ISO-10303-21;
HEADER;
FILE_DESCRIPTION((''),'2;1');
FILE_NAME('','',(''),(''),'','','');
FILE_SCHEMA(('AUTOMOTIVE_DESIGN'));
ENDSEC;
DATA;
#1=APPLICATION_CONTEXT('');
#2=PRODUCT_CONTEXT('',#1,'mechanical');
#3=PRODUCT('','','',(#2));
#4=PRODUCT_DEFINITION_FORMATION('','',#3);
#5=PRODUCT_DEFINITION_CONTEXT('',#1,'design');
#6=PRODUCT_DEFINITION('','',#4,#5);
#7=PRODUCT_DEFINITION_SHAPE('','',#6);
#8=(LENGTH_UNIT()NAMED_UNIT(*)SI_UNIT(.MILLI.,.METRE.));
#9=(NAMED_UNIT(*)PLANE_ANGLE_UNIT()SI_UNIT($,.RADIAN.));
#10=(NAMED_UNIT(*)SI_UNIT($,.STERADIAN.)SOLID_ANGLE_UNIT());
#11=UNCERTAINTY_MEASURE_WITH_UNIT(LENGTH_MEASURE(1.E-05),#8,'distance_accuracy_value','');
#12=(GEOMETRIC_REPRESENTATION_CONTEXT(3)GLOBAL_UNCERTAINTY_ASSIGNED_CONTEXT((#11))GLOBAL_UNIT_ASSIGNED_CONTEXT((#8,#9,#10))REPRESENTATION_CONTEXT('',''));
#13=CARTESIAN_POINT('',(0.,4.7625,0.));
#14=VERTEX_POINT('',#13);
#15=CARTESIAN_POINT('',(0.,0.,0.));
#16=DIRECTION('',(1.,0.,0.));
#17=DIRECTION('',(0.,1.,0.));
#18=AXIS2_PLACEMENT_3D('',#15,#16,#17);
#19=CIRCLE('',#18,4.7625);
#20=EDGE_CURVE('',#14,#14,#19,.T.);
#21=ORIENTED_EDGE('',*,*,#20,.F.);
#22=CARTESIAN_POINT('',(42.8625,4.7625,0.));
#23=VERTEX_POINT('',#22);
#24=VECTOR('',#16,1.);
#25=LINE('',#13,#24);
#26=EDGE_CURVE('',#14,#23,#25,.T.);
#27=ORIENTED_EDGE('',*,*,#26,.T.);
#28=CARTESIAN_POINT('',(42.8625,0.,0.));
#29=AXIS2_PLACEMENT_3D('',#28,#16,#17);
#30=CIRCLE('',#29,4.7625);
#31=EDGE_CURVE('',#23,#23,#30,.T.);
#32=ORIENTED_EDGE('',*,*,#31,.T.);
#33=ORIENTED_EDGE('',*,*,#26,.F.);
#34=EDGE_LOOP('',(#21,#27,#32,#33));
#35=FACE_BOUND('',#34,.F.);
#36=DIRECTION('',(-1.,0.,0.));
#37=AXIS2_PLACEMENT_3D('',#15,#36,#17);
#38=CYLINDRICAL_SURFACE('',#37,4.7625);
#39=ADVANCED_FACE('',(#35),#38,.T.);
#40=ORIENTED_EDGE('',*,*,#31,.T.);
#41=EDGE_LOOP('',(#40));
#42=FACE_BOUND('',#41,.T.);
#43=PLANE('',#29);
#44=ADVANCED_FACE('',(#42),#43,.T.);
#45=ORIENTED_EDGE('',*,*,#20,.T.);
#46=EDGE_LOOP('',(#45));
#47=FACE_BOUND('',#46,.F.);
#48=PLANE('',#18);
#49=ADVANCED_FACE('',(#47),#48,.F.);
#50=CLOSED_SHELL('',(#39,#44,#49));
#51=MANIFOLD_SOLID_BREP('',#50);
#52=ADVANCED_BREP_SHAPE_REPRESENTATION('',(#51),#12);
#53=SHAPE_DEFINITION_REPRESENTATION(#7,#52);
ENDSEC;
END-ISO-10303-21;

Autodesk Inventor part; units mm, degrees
ref_plane "YZ Plane" through (0, 0, 0) normal (1, 0, 0) x (0, 1, 0)
ref_plane "XZ Plane" through (0, 0, 0) normal (0, 1, 0) x (-1, 0, 0)
ref_plane "XY Plane" through (0, 0, 0) normal (0, 0, 1) x (1, 0, 0)
sketch "Sketch1" plane through (0, 0, 0) normal (1, 0, 0) x (0, 1, 0)
  circle A0 centre (0, 0) radius 4.7625
  dimension "d0" = 9.525
extrude "Extrusion1" add sketch "Sketch1" along normal blind 42.8625
properties part number "Top_Pivot" material "Stainless Steel"
